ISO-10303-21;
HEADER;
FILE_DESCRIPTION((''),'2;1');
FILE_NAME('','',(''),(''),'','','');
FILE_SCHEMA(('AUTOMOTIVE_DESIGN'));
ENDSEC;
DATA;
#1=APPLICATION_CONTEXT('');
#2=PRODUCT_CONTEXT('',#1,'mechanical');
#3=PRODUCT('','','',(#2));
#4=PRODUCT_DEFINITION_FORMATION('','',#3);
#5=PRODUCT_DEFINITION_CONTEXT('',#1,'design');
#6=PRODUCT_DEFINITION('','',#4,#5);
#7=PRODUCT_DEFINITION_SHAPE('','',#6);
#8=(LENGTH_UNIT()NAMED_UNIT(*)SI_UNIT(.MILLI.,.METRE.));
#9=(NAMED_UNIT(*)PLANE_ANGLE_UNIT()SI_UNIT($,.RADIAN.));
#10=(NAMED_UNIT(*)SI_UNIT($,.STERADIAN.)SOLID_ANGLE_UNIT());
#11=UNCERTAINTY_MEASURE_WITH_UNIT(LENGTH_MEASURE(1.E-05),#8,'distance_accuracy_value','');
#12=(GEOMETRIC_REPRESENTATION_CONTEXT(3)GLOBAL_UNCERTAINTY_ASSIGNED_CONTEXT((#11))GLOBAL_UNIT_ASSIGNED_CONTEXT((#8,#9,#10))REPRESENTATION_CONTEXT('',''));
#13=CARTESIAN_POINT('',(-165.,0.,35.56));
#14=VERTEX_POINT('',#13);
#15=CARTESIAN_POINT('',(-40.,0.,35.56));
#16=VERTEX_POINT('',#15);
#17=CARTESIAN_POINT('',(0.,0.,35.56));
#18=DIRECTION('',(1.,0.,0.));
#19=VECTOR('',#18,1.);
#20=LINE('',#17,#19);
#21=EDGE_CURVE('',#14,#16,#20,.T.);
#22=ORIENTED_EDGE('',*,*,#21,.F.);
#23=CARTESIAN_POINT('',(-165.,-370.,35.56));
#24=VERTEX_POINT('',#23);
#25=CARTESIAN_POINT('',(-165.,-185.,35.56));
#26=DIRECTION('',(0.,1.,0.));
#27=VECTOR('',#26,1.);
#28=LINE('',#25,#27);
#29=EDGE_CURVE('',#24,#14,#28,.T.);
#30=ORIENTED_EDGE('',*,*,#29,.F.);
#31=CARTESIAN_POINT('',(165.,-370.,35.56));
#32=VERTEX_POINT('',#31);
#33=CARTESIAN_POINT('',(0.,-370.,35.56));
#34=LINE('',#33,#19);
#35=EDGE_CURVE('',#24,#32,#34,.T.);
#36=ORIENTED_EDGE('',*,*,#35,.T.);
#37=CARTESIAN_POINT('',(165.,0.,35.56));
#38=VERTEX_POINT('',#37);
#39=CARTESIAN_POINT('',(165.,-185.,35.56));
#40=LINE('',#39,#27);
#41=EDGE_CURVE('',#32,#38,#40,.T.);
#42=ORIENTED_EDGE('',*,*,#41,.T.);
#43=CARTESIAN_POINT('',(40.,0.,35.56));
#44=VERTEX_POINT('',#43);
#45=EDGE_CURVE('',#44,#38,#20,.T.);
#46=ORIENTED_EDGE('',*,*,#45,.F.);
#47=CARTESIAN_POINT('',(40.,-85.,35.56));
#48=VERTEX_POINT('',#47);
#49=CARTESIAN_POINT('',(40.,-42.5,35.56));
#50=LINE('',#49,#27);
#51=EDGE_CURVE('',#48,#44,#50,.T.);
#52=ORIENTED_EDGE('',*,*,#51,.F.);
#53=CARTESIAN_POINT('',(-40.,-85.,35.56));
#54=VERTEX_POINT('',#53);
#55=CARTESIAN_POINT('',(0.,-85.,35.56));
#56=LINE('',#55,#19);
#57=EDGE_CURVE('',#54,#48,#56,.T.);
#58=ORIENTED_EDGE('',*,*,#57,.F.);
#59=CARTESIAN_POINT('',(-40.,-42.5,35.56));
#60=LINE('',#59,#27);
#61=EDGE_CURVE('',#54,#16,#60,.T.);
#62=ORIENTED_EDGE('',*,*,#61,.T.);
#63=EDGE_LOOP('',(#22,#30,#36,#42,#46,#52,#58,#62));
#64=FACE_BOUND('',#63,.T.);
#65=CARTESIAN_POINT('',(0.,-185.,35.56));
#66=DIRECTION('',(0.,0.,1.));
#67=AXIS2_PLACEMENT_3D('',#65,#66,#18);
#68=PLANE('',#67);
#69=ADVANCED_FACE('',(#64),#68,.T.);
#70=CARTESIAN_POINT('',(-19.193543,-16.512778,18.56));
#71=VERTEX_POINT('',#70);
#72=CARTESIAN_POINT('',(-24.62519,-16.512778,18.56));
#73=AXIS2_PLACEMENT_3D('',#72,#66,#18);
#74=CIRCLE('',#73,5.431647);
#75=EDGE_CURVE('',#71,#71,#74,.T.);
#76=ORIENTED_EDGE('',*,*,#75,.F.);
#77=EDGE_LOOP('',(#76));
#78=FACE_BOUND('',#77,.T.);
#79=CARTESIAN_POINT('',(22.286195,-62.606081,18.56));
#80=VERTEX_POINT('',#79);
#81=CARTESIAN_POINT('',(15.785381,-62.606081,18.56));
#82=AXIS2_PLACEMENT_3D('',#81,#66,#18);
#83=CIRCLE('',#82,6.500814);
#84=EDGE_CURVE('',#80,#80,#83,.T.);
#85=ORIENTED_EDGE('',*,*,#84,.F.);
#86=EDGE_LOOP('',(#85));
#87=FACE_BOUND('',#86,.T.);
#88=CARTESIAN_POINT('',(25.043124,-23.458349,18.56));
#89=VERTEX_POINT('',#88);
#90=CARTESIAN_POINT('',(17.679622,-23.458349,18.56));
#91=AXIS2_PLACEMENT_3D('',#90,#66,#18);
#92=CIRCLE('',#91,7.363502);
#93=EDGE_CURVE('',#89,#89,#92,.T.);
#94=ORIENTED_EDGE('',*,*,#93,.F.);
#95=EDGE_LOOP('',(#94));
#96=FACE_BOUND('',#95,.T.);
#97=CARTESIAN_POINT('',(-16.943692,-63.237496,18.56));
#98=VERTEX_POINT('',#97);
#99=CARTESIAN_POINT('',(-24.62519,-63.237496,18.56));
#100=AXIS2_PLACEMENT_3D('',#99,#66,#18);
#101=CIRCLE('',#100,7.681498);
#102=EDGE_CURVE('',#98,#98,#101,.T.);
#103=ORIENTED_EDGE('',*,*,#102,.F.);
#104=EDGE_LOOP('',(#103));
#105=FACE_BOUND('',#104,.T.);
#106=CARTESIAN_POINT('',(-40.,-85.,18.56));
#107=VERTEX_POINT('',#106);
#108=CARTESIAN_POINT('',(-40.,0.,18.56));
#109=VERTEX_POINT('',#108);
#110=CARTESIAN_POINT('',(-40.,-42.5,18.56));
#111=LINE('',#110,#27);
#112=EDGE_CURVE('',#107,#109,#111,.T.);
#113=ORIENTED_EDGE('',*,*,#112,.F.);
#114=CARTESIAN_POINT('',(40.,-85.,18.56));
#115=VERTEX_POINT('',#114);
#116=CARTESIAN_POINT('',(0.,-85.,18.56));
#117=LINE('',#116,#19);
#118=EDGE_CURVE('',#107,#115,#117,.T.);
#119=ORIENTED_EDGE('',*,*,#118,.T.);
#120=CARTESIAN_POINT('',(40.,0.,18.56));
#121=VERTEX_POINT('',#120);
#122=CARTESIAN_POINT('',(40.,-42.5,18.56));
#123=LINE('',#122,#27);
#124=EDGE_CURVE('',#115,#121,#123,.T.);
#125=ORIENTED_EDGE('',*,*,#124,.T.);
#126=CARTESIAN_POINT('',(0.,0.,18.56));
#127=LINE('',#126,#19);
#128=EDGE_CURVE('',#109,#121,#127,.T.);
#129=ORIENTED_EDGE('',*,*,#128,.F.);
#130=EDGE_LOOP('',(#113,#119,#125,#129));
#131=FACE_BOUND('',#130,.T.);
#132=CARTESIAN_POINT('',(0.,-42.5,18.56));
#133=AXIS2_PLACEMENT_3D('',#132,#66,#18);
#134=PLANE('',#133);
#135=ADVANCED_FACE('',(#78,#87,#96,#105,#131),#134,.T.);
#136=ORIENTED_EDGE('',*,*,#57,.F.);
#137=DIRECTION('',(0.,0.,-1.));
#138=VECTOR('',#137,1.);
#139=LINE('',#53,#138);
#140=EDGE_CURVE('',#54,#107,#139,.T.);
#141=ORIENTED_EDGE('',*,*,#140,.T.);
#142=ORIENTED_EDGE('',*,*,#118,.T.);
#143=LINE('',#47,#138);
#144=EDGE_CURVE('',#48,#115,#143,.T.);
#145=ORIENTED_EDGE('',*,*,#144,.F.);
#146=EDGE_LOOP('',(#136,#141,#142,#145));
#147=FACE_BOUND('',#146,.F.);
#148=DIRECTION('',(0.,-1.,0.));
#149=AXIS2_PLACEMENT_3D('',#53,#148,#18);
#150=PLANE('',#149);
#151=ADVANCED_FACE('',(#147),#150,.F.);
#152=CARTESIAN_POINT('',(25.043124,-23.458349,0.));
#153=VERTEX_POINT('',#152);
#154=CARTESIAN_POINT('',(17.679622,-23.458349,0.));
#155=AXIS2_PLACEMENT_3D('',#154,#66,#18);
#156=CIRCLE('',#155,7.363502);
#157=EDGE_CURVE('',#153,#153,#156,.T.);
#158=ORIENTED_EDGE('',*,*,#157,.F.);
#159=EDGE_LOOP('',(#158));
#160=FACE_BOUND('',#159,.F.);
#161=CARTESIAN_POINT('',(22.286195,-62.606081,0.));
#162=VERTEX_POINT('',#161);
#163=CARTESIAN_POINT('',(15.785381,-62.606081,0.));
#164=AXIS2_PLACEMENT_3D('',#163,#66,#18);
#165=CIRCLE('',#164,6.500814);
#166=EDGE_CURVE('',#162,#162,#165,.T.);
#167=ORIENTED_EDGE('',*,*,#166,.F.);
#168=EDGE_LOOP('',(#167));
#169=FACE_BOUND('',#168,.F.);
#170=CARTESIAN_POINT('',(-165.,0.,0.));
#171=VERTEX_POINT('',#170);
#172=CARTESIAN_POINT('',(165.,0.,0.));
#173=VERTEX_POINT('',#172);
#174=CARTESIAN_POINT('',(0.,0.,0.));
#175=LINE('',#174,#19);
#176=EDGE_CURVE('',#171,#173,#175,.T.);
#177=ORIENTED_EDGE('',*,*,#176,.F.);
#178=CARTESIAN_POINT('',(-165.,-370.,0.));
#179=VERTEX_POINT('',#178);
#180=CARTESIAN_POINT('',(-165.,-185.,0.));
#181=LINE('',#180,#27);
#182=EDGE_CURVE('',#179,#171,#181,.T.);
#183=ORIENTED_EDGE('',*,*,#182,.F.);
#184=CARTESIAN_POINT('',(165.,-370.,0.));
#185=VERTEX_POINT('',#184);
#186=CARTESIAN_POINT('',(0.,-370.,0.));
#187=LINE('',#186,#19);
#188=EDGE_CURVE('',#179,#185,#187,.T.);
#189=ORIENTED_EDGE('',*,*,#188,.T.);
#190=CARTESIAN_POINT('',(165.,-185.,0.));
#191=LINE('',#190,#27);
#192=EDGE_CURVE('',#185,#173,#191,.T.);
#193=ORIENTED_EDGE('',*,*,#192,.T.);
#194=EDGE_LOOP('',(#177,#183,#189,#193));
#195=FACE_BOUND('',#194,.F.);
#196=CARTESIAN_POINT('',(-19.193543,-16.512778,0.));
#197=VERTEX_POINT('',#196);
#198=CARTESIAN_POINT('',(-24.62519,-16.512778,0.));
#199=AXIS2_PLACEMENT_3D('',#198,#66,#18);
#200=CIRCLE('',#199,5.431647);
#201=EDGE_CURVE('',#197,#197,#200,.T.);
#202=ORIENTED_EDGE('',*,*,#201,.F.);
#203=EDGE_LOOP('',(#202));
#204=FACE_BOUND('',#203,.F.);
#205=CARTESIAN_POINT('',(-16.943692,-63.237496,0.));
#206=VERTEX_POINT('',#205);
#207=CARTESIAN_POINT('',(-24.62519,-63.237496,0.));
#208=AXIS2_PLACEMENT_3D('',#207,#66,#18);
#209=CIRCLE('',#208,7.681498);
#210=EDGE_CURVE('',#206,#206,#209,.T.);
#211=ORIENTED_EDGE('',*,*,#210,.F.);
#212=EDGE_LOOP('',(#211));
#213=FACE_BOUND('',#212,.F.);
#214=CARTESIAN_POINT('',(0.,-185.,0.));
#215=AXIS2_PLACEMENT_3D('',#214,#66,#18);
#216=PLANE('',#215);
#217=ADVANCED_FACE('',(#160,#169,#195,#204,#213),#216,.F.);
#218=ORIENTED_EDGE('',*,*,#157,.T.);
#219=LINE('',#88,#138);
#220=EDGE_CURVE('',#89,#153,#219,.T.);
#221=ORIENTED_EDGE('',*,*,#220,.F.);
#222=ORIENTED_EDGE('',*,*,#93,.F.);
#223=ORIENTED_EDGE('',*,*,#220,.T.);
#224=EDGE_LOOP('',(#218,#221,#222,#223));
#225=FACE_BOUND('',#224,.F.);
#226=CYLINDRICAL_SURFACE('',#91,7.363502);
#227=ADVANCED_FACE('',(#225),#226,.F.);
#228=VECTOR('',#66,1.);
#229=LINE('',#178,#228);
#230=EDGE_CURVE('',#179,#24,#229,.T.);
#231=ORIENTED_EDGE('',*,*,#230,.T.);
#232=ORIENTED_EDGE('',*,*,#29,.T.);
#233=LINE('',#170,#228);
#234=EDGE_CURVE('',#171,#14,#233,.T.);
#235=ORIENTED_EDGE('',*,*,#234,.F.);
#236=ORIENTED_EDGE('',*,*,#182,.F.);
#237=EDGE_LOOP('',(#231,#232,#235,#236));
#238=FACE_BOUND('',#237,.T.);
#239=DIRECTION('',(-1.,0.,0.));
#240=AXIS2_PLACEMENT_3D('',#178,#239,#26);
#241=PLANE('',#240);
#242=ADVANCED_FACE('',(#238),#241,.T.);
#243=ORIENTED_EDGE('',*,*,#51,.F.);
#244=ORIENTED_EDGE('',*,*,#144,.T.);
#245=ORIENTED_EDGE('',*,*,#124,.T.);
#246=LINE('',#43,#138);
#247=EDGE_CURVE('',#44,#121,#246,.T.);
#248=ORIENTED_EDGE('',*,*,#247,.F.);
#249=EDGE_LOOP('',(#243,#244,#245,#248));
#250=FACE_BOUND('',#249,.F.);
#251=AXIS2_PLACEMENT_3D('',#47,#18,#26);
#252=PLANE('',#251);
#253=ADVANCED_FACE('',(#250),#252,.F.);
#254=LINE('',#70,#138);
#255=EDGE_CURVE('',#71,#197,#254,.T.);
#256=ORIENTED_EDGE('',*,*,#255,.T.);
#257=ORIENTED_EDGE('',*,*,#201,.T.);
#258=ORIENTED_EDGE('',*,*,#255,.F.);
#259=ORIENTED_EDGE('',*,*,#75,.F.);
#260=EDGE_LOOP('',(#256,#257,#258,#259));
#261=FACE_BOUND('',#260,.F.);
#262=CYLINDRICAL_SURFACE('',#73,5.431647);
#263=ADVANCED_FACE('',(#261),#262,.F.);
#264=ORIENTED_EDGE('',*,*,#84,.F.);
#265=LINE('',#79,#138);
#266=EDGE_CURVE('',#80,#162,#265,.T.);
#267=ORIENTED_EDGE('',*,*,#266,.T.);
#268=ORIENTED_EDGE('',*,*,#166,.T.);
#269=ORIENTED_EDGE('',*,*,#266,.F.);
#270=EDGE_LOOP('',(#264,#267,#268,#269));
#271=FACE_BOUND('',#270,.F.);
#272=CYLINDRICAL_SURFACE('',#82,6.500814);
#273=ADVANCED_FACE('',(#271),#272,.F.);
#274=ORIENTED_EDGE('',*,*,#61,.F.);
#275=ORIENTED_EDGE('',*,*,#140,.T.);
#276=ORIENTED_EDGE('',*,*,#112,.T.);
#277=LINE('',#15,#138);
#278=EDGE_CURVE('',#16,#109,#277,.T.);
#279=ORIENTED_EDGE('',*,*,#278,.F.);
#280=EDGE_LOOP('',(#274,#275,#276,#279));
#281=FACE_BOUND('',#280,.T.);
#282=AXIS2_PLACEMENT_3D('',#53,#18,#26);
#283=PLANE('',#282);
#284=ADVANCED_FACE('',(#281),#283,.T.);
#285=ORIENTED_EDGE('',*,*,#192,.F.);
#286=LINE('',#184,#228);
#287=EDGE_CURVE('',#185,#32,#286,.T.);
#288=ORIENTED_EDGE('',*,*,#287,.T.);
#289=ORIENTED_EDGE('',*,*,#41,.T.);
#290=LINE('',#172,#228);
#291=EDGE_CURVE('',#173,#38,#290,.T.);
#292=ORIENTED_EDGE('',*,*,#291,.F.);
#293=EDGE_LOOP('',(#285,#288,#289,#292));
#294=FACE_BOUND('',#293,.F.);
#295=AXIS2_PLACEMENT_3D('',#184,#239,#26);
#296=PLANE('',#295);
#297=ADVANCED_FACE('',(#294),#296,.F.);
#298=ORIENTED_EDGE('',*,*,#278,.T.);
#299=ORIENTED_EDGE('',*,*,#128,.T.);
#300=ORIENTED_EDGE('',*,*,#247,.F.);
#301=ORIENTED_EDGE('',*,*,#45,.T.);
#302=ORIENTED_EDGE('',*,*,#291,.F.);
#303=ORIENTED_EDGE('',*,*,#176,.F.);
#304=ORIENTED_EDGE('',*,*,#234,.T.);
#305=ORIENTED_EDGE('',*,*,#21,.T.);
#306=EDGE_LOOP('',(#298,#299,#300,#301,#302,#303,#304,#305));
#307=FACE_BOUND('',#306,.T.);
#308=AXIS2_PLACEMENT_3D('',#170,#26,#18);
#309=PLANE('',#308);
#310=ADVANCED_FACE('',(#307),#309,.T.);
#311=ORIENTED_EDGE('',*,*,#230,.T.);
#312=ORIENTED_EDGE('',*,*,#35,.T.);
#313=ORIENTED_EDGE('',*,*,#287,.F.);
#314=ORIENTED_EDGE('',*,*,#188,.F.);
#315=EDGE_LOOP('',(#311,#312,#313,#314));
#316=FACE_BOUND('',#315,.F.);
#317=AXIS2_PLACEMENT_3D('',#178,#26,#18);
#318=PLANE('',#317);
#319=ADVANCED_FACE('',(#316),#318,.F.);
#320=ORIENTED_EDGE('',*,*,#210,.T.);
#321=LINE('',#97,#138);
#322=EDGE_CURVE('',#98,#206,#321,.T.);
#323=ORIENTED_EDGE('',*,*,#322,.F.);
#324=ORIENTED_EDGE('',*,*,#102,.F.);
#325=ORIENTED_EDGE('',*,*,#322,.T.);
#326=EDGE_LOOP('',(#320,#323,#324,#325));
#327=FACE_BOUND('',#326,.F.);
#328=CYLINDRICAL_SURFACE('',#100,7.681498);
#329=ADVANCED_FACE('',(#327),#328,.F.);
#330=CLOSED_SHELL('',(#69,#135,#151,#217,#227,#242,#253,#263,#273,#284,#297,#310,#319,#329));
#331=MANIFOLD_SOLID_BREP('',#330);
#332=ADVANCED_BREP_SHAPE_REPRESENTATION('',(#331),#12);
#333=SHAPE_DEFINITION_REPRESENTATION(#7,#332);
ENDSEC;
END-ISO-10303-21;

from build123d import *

# Parameters (mm, degrees)
F0_W     = 330
F0_H     = 370
F1_DEPTH = 35.56
F2_W     = 80
F2_H     = 85
F3_DEPTH = 17
F4_R     = 5.431647
F4_R_2   = 7.363502
F4_R_3   = 7.681498
F4_R_4   = 6.500814
F5_DEPTH = 18.561


with BuildPart() as f1:
    # F0 (on Top) → F1 (new body)
    with BuildSketch(Plane.XY):
        with Locations((0, -185)):
            Rectangle(F0_W, F0_H)
    extrude(amount=F1_DEPTH)

    # F2 (on face) → F3 (cut)
    with BuildSketch(Plane.XY.offset(35.56)):
        with Locations((0, -42.5)):
            Rectangle(F2_W, F2_H)
    extrude(amount=-F3_DEPTH, mode=Mode.SUBTRACT)

    # F4 (on face) → F5 (cut, through all)
    with BuildSketch(Plane.XY.offset(18.56)):
        with Locations((-24.62519, -16.512778)):
            Circle(F4_R)
        with Locations((17.679622, -23.458349)):
            Circle(F4_R_2)
        with Locations((-24.62519, -63.237496)):
            Circle(F4_R_3)
        with Locations((15.785381, -62.606081)):
            Circle(F4_R_4)
    extrude(amount=-F5_DEPTH, mode=Mode.SUBTRACT)


solid = f1.part
